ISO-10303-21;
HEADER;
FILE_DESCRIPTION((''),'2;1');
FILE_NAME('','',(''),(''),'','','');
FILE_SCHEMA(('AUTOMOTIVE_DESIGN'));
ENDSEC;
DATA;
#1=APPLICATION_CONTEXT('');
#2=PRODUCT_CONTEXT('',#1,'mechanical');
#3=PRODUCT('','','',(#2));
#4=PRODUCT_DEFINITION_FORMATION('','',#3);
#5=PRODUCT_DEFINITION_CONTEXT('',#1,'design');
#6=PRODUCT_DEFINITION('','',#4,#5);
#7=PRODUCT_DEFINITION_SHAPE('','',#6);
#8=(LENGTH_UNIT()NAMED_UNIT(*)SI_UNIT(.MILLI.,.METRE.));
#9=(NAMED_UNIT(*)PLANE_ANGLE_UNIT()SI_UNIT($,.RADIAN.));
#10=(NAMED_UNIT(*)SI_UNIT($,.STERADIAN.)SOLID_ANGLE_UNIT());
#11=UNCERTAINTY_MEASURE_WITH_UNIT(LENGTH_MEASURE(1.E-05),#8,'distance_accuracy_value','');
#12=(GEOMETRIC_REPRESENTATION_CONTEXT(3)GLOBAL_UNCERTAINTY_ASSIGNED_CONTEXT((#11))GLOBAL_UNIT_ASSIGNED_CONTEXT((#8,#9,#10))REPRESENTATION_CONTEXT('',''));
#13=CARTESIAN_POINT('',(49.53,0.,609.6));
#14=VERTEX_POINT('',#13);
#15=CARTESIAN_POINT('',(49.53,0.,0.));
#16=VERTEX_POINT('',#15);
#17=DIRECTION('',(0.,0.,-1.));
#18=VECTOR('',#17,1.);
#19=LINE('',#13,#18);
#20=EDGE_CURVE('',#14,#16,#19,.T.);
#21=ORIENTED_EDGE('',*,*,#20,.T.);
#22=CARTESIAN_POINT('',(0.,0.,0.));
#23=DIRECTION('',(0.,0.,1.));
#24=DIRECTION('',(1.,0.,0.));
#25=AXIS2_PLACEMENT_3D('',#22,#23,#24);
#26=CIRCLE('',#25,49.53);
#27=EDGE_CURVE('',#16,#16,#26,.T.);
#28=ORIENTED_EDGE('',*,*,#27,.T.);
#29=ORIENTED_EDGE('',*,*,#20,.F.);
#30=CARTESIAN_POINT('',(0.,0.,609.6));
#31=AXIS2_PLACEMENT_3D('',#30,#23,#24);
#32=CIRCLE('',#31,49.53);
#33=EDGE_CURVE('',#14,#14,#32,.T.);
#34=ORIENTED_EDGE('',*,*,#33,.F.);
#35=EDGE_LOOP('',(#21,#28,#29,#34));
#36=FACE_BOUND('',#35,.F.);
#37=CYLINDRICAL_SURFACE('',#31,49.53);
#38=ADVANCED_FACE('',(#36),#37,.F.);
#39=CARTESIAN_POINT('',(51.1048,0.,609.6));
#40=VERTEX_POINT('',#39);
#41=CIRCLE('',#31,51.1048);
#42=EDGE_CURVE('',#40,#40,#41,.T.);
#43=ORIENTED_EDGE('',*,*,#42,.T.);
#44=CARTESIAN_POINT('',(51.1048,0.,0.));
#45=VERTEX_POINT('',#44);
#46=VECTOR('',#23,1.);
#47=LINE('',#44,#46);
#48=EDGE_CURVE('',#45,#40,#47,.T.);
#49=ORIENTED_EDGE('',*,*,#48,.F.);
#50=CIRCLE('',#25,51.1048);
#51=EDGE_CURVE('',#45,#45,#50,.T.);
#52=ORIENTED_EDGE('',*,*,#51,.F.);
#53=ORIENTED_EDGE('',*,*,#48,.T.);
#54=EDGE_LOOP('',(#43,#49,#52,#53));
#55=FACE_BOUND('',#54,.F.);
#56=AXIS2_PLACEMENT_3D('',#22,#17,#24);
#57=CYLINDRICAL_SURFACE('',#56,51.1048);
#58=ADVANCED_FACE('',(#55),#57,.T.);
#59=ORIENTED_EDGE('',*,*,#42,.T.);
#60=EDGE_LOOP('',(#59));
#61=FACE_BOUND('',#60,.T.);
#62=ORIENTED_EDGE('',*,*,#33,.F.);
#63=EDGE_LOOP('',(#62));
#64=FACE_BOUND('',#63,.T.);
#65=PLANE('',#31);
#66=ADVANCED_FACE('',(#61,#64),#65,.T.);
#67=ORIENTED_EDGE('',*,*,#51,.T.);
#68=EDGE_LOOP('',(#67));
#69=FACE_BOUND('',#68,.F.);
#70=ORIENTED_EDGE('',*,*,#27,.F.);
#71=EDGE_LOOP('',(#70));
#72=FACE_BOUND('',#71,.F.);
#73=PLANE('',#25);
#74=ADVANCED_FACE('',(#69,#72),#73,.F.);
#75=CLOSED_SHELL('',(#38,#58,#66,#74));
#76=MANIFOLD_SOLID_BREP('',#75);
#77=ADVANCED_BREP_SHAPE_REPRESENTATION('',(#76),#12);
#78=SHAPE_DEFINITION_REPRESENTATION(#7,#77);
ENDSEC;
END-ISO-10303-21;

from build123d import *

# Parameters (mm, degrees)
SKETCH_R     = 51.1048
PAD_DEPTH    = 609.6
SKETCH001_R  = 49.53
POCKET_DEPTH = 609.601


with BuildPart() as part:
    # Sketch → Pad (new body)
    with BuildSketch(Plane.XY):
        Circle(SKETCH_R)
    extrude(amount=PAD_DEPTH)

    # Sketch001 (on Face3 of Pad) → Pocket (cut, through all)
    with BuildSketch(Plane.XY.offset(609.6)):
        Circle(SKETCH001_R)
    extrude(amount=-POCKET_DEPTH, mode=Mode.SUBTRACT)


solid = part.part
